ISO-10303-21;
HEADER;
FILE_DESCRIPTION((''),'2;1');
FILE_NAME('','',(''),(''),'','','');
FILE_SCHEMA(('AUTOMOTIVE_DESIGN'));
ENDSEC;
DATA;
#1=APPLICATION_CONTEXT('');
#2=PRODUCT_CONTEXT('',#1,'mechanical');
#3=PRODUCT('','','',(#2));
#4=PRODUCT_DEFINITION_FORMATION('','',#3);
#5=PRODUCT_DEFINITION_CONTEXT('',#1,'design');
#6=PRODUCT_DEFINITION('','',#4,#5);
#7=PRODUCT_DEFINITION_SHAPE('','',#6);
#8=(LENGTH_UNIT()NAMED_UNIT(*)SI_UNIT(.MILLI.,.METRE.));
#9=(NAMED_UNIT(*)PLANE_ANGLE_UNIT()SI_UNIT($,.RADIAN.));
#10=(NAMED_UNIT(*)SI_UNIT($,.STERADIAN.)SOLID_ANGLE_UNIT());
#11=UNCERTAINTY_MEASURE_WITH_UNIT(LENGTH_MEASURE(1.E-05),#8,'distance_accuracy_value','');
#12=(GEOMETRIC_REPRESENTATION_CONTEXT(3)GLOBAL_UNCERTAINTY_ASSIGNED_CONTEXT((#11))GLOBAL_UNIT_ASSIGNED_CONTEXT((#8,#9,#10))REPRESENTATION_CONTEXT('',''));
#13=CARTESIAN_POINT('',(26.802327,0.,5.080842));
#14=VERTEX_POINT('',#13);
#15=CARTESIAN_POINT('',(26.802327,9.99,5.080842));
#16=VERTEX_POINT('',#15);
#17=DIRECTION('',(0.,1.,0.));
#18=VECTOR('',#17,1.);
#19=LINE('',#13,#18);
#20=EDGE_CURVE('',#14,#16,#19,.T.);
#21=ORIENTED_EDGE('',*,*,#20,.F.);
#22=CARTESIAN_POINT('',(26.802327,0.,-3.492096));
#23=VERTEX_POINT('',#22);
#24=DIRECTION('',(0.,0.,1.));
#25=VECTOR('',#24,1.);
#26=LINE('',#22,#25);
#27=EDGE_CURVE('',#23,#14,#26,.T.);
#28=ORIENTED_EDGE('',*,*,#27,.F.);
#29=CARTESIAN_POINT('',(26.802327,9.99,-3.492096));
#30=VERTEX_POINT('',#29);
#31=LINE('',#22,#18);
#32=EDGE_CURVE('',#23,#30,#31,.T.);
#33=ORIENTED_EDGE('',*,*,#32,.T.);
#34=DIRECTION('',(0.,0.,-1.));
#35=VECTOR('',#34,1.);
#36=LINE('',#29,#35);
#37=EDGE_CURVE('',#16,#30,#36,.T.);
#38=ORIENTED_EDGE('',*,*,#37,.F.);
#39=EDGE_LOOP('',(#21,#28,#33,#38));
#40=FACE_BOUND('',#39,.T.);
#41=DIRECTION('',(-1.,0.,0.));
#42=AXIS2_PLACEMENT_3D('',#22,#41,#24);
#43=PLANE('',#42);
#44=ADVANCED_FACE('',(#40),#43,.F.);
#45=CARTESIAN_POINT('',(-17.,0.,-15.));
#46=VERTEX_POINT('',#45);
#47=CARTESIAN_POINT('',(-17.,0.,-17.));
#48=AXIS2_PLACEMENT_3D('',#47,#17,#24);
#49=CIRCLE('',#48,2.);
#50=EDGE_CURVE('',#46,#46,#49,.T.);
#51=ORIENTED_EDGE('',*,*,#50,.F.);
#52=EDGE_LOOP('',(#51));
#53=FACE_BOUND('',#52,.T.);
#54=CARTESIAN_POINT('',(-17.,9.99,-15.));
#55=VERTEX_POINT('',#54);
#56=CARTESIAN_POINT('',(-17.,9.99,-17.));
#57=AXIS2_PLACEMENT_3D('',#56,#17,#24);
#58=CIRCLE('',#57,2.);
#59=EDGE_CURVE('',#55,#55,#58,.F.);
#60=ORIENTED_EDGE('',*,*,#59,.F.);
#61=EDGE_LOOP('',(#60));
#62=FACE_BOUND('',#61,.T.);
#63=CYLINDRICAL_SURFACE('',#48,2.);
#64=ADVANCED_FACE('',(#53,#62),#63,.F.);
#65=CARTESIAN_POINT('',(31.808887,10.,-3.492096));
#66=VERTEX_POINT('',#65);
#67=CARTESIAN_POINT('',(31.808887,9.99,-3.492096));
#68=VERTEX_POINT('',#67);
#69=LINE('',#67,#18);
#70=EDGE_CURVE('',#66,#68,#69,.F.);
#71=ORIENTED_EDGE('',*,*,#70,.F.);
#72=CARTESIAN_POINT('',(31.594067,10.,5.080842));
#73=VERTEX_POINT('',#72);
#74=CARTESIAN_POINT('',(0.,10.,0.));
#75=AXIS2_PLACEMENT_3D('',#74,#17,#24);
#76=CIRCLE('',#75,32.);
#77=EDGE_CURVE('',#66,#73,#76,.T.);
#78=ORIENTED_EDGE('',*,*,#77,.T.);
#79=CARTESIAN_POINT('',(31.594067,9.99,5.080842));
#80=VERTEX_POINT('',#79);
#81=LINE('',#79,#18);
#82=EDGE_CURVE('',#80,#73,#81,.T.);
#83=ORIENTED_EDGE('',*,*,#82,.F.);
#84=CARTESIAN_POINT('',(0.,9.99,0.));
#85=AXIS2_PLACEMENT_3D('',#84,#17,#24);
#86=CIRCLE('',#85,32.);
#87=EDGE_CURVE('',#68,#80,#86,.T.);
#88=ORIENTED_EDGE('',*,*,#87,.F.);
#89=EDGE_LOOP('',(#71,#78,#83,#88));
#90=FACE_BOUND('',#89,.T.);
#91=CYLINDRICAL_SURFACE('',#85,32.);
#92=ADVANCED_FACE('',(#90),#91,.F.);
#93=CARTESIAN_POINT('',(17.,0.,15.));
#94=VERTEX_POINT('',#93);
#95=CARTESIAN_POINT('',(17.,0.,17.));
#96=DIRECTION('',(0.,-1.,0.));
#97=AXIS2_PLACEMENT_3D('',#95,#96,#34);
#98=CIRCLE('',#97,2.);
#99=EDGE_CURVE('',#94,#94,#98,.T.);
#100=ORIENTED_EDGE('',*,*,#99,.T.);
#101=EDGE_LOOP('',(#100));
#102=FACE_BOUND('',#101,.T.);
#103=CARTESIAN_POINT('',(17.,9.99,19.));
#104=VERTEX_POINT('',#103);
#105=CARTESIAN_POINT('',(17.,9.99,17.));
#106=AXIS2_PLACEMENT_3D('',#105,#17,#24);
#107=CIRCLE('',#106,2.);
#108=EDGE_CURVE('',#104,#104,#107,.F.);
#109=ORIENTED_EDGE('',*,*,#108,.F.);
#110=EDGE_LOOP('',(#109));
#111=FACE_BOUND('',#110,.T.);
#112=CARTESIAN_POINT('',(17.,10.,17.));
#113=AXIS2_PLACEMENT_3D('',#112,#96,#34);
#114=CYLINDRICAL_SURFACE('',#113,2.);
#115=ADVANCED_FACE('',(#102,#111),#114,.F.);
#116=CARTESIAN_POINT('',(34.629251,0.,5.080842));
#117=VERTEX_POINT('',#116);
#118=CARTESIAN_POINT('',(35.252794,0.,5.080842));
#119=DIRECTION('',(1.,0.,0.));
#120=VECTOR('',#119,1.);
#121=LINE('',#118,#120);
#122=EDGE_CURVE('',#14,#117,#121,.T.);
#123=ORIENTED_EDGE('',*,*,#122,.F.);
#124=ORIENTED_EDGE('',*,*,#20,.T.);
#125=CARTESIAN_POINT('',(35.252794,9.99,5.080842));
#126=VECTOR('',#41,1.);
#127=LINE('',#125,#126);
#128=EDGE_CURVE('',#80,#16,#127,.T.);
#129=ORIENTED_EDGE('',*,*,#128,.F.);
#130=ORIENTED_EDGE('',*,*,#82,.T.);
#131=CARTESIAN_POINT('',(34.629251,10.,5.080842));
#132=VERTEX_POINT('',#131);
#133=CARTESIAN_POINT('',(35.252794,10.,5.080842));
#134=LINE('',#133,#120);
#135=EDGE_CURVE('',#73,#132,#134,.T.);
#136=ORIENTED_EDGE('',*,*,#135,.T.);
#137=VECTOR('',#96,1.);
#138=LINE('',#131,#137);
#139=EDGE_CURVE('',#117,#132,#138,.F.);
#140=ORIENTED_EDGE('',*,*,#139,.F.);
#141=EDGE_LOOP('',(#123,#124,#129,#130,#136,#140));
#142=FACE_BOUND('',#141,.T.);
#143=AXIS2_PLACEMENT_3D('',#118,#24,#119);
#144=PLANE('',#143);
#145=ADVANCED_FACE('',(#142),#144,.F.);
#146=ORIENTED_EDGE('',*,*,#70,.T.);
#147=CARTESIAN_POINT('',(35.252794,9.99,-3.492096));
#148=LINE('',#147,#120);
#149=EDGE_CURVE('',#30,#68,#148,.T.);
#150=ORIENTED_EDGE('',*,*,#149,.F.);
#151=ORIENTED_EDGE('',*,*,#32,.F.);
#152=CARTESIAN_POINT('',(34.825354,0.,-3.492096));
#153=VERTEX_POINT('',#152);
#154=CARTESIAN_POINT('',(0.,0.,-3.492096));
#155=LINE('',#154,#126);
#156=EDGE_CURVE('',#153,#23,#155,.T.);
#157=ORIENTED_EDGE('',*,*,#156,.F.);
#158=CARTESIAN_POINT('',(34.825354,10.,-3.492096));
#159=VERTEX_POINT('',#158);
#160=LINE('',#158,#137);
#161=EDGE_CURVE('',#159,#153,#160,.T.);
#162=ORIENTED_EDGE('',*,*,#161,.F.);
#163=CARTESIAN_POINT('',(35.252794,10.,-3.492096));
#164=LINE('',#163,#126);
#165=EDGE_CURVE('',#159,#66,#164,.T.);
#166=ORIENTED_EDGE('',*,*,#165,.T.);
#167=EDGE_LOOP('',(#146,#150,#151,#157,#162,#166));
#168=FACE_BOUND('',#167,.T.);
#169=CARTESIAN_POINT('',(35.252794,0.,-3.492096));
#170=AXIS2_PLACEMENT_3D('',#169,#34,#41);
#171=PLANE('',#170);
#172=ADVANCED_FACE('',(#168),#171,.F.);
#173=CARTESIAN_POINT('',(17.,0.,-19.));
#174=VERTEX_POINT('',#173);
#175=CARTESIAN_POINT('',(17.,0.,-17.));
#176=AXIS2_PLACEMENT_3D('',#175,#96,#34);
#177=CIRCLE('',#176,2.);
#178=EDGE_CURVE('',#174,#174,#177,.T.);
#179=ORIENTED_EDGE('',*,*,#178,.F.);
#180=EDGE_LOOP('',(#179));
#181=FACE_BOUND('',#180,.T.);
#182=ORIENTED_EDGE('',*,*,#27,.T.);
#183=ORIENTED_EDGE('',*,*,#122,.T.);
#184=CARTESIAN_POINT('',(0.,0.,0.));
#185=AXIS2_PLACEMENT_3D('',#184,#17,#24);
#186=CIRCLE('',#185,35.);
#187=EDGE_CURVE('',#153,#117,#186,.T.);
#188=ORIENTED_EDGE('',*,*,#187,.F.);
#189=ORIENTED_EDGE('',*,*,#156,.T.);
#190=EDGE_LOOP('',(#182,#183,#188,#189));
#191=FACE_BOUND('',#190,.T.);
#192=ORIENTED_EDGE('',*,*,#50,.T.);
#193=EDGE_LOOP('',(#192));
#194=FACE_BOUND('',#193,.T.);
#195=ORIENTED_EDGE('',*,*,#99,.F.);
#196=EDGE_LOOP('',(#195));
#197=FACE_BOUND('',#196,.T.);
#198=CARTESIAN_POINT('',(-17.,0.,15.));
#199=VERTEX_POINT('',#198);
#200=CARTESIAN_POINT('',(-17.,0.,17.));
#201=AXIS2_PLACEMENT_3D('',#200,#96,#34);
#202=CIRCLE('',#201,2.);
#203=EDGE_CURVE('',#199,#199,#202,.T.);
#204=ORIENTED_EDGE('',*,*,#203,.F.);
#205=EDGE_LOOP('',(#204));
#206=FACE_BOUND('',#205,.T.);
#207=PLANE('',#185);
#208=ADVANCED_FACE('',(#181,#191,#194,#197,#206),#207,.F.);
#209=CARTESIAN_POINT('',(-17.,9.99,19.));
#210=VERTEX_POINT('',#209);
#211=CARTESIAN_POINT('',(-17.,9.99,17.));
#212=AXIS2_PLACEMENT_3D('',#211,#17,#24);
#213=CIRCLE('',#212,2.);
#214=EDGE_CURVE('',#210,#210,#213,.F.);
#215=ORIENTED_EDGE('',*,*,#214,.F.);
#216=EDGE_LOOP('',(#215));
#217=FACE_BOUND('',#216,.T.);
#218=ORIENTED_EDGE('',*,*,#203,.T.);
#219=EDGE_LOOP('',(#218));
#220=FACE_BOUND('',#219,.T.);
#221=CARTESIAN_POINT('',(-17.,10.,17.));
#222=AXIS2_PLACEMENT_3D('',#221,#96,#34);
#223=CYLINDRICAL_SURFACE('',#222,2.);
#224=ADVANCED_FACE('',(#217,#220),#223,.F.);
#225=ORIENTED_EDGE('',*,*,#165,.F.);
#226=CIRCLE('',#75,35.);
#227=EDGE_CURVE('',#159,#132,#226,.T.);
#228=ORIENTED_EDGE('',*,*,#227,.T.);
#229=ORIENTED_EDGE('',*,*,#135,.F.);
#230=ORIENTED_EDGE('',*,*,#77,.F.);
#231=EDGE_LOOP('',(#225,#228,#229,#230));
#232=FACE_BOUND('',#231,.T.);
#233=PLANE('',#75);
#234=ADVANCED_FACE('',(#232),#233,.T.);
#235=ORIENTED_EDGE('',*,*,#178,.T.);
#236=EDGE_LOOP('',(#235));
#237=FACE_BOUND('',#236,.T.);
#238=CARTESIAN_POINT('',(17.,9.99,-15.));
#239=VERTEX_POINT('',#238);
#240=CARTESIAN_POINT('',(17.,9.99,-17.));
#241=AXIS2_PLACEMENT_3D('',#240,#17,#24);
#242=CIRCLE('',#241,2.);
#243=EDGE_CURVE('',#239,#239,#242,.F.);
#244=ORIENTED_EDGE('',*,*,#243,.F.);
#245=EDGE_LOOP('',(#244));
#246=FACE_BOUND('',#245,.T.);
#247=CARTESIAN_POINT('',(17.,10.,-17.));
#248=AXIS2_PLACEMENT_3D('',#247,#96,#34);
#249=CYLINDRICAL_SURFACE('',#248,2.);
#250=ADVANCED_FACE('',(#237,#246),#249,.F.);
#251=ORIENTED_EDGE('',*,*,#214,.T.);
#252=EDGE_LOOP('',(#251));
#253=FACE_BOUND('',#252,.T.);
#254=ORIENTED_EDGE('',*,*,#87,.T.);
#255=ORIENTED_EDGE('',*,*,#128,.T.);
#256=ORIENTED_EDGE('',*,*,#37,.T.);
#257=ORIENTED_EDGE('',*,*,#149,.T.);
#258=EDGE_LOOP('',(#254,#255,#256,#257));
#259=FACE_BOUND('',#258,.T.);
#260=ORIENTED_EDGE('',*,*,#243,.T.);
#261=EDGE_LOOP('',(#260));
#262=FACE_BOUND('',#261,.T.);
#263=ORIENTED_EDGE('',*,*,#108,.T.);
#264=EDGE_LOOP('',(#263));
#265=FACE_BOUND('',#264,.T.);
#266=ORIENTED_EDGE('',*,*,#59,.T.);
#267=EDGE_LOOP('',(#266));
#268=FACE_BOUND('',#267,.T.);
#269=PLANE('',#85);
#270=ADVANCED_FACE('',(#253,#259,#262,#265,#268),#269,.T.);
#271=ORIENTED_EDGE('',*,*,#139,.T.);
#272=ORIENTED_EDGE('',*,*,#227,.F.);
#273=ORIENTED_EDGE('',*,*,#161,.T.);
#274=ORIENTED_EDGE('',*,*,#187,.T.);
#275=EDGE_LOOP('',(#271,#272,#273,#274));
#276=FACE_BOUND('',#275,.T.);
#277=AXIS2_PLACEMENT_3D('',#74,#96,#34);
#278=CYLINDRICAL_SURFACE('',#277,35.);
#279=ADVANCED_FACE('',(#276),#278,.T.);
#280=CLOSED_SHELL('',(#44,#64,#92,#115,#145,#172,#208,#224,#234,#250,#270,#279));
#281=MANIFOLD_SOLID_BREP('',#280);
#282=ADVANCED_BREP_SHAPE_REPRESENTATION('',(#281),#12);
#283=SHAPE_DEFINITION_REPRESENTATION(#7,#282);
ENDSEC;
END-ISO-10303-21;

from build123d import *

# Parameters (mm, degrees)
SKETCH1_R               = 35
BOSS_EXTRUDE1_DEPTH     = 10
SKETCH27_W              = 8.45046724
SKETCH27_H              = 8.572937779
CUT_EXTRUDE8_DEPTH      = 11
SKETCH34_R              = 2
CUT_EXTRUDE9_DEPTH      = 1
CUT_EXTRUDE9_DEPTH_BACK = 11
SKETCH35_R              = 2
CUT_EXTRUDE10_DEPTH     = 11
SKETCH36_R              = 2
CUT_EXTRUDE11_DEPTH     = 11
SKETCH37_R              = 2
CUT_EXTRUDE12_DEPTH     = 11
SKETCH39_R              = 32
CUT_EXTRUDE14_DEPTH     = 0.01


with BuildPart() as part:
    # Sketch1 → Boss-Extrude1 (new body)
    with BuildSketch(Plane(origin=(0, 0, 0), x_dir=(1, 0, 0), z_dir=(0, 1, 0))):
        Circle(SKETCH1_R)
    extrude(amount=BOSS_EXTRUDE1_DEPTH)

    # Sketch27 → Cut-Extrude8 (cut, through all)
    with BuildSketch(Plane(origin=(0, 10, 0), x_dir=(1, 0, 0), z_dir=(0, 1, 0))):
        with Locations((31.027560582, -0.794372815)):
            Rectangle(SKETCH27_W, SKETCH27_H)
    extrude(amount=-CUT_EXTRUDE8_DEPTH, mode=Mode.SUBTRACT)

    # Sketch34 → Cut-Extrude9 (cut, two sides)
    with BuildSketch(Plane(origin=(0, 10, 0), x_dir=(1, 0, 0), z_dir=(0, 1, 0))) as cut_extrude9_sk:
        with Locations((-17, 17)):
            Circle(SKETCH34_R)
    extrude(amount=CUT_EXTRUDE9_DEPTH, mode=Mode.SUBTRACT)
    extrude(cut_extrude9_sk.sketch, amount=-CUT_EXTRUDE9_DEPTH_BACK, mode=Mode.SUBTRACT)

    # Sketch35 → Cut-Extrude10 (cut, through all)
    with BuildSketch(Plane(origin=(0, 0, 0), x_dir=(-1, 0, 0), z_dir=(0, -1, 0))):
        with Locations((-17, 17)):
            Circle(SKETCH35_R)
    extrude(amount=-CUT_EXTRUDE10_DEPTH, mode=Mode.SUBTRACT)

    # Sketch36 → Cut-Extrude11 (cut, through all)
    with BuildSketch(Plane(origin=(0, 0, 0), x_dir=(-1, 0, 0), z_dir=(0, -1, 0))):
        with Locations((17, -17)):
            Circle(SKETCH36_R)
    extrude(amount=-CUT_EXTRUDE11_DEPTH, mode=Mode.SUBTRACT)

    # Sketch37 → Cut-Extrude12 (cut, through all)
    with BuildSketch(Plane.XZ):
        with Locations((17, 17)):
            Circle(SKETCH37_R)
    extrude(amount=-CUT_EXTRUDE12_DEPTH, mode=Mode.SUBTRACT)

    # Sketch39 → Cut-Extrude14 (cut)
    with BuildSketch(Plane(origin=(0, 10, 0), x_dir=(1, 0, 0), z_dir=(0, 1, 0))):
        Circle(SKETCH39_R)
    extrude(amount=-CUT_EXTRUDE14_DEPTH, mode=Mode.SUBTRACT)


solid = part.part
